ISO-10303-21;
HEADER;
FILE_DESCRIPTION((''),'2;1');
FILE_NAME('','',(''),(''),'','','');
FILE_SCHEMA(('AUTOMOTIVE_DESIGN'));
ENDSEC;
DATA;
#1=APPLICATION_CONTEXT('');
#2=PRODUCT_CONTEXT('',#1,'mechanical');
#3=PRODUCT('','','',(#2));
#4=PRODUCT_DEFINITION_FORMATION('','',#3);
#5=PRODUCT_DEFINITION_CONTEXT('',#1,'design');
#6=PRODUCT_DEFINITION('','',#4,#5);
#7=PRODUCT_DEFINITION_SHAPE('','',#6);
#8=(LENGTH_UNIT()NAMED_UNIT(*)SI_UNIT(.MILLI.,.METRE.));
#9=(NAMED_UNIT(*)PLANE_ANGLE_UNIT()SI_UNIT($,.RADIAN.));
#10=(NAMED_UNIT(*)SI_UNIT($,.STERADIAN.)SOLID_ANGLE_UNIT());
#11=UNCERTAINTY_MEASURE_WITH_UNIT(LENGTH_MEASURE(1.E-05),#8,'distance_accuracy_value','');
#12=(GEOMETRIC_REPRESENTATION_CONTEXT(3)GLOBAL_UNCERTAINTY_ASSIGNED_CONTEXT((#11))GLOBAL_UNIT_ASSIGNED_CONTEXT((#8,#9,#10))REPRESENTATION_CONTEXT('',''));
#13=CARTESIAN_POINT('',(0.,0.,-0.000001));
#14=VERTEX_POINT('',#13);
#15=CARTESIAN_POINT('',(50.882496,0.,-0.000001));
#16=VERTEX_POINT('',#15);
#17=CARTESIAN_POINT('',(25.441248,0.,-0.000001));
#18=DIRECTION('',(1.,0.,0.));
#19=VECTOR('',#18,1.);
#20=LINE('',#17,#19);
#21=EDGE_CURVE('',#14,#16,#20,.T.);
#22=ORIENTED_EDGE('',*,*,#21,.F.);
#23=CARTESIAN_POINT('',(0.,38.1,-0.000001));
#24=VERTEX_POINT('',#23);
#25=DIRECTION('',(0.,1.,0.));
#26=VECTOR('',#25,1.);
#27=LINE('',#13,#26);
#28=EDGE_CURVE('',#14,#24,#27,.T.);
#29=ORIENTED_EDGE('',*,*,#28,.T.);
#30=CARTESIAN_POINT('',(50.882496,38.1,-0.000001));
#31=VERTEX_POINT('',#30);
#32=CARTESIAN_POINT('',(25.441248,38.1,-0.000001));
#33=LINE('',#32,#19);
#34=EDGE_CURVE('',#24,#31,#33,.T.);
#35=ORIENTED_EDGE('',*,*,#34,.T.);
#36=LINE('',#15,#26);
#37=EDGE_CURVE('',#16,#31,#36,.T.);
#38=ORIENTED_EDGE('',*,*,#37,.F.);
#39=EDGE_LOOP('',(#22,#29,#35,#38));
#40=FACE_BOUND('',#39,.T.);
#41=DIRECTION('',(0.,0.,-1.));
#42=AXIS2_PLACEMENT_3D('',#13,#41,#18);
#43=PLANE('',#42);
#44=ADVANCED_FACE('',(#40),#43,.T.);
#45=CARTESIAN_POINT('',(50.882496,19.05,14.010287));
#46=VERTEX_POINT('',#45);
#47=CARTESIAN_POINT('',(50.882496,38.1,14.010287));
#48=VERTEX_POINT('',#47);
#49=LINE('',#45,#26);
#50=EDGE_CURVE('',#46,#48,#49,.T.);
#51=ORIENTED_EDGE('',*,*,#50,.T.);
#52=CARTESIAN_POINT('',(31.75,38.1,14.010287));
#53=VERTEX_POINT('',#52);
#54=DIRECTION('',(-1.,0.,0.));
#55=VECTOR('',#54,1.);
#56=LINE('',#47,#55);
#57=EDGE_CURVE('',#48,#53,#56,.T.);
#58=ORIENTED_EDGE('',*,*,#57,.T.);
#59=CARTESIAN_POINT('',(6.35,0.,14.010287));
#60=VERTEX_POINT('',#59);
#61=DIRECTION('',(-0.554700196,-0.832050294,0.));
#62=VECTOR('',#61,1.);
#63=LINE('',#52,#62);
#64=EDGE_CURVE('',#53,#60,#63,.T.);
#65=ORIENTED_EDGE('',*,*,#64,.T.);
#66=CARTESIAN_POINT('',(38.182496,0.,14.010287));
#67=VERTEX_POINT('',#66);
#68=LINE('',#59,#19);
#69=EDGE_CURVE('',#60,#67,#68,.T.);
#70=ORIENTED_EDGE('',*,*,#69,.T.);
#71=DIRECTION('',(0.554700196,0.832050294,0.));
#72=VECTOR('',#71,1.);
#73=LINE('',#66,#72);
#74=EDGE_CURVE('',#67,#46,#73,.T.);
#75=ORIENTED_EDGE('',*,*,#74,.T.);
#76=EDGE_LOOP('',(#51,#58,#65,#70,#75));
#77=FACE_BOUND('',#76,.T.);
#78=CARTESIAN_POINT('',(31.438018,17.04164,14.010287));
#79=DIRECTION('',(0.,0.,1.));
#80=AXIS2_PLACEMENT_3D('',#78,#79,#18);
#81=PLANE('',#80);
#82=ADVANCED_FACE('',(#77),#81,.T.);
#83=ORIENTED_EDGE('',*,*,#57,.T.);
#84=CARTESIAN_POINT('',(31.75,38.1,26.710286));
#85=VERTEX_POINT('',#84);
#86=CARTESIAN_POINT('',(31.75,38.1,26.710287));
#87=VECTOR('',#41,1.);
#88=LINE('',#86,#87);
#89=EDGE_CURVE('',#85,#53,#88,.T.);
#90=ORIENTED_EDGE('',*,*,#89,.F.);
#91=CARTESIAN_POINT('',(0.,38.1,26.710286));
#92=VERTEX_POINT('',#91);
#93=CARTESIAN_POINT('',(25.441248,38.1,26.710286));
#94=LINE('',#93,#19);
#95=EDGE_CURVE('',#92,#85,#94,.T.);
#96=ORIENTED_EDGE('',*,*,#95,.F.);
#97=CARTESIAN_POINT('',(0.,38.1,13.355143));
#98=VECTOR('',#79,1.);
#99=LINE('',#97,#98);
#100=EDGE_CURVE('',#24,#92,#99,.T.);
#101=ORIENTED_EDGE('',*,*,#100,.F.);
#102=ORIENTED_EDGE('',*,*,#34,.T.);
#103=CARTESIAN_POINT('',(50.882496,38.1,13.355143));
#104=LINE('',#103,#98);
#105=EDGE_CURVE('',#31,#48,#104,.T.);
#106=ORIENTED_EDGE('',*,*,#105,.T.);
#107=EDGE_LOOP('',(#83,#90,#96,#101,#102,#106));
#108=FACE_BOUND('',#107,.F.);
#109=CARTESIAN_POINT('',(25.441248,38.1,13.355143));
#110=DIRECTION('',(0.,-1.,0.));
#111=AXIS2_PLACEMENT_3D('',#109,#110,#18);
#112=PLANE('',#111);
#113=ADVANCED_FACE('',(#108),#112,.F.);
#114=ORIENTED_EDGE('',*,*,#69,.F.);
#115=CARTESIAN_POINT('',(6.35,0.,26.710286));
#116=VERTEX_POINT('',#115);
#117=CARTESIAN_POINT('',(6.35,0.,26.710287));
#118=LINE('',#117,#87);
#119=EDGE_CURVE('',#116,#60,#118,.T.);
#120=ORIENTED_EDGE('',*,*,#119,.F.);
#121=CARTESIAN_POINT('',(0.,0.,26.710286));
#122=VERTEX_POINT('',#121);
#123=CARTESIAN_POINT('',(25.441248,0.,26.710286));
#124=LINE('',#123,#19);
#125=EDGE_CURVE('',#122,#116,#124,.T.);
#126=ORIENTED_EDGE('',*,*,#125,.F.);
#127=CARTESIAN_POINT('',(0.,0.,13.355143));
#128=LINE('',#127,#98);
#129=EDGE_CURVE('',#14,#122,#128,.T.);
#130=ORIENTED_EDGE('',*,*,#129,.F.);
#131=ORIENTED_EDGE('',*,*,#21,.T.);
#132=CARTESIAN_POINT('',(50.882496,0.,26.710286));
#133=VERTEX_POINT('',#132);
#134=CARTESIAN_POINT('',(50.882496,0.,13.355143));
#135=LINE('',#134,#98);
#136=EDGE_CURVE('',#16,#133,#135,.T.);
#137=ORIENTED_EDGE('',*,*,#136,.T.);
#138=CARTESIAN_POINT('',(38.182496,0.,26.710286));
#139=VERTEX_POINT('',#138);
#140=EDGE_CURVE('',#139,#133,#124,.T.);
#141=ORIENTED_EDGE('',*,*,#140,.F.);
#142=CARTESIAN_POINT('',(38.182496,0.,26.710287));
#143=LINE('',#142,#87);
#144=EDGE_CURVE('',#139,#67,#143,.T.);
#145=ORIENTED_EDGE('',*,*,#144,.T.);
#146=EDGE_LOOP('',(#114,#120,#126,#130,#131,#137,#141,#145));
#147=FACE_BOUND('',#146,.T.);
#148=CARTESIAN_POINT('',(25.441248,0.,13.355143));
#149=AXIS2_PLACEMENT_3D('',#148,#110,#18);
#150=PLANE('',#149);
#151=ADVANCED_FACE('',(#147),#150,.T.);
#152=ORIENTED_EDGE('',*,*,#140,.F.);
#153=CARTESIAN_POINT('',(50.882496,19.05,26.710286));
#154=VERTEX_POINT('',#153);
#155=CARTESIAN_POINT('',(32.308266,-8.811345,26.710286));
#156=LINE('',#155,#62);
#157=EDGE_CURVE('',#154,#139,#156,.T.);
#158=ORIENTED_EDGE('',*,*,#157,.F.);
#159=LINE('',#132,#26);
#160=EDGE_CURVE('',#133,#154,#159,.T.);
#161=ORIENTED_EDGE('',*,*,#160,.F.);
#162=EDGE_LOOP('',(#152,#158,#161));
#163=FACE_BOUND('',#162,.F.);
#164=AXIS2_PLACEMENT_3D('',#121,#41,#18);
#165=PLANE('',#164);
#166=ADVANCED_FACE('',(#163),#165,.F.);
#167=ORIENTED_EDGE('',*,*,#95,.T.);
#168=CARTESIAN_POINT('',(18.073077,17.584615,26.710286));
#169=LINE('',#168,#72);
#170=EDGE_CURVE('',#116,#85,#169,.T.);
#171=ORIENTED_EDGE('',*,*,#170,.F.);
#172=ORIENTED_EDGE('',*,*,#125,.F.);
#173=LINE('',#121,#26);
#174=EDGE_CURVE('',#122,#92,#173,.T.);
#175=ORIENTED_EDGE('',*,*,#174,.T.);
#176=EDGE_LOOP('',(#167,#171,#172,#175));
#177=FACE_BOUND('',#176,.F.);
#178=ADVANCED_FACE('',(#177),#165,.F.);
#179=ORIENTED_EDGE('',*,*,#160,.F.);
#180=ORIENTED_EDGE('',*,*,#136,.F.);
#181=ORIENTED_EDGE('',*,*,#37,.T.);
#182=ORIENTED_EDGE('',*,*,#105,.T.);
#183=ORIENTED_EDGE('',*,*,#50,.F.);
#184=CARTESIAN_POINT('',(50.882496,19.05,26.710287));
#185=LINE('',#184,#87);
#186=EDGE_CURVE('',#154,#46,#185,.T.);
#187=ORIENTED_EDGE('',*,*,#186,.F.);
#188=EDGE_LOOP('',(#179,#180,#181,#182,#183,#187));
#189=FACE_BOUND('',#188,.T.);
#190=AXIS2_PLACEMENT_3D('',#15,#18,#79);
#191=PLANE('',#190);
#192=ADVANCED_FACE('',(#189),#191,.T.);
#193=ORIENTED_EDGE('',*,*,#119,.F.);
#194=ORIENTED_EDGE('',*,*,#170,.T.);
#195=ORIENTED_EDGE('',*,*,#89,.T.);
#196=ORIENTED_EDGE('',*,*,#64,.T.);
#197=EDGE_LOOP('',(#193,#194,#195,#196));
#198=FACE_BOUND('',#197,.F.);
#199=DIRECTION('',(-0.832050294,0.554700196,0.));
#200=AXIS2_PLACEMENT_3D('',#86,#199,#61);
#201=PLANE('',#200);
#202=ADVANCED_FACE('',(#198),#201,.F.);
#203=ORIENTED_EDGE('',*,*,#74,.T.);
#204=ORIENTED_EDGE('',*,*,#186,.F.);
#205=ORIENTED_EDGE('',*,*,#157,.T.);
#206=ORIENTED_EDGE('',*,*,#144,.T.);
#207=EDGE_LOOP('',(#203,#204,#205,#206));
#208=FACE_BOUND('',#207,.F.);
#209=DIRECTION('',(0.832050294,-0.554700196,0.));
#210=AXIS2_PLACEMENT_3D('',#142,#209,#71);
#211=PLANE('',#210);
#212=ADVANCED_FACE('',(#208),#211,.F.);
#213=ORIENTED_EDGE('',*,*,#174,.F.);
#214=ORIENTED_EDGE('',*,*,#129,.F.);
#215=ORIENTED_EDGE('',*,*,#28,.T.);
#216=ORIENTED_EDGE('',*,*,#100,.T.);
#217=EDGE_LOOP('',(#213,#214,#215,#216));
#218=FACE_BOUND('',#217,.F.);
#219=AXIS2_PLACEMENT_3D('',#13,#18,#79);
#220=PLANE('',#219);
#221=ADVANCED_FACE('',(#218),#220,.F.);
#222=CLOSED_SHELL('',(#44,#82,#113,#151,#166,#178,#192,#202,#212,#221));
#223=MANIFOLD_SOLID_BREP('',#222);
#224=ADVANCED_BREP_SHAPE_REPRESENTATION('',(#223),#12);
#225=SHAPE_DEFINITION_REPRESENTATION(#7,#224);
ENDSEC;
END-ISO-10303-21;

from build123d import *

# Parameters (mm, degrees)
F0_W     = 50.882496
F0_H     = 26.710287
F1_DEPTH = 38.1
F3_DEPTH = 12.7


with BuildPart() as f1:
    # F0 (on Front) → F1 (new body)
    with BuildSketch(Plane.XZ):
        with Locations((25.441248, 13.355143)):
            Rectangle(F0_W, F0_H)
    extrude(amount=-F1_DEPTH)

    # F2 (on face) → F3 (cut)
    with BuildSketch(Plane.XY.offset(26.710287)):
        Polygon((31.75, 38.1), (6.35, 0), (38.182496, 0), (50.882496, 19.05), (50.882496, 38.1), align=None)
    extrude(amount=-F3_DEPTH, mode=Mode.SUBTRACT)


solid = f1.part
